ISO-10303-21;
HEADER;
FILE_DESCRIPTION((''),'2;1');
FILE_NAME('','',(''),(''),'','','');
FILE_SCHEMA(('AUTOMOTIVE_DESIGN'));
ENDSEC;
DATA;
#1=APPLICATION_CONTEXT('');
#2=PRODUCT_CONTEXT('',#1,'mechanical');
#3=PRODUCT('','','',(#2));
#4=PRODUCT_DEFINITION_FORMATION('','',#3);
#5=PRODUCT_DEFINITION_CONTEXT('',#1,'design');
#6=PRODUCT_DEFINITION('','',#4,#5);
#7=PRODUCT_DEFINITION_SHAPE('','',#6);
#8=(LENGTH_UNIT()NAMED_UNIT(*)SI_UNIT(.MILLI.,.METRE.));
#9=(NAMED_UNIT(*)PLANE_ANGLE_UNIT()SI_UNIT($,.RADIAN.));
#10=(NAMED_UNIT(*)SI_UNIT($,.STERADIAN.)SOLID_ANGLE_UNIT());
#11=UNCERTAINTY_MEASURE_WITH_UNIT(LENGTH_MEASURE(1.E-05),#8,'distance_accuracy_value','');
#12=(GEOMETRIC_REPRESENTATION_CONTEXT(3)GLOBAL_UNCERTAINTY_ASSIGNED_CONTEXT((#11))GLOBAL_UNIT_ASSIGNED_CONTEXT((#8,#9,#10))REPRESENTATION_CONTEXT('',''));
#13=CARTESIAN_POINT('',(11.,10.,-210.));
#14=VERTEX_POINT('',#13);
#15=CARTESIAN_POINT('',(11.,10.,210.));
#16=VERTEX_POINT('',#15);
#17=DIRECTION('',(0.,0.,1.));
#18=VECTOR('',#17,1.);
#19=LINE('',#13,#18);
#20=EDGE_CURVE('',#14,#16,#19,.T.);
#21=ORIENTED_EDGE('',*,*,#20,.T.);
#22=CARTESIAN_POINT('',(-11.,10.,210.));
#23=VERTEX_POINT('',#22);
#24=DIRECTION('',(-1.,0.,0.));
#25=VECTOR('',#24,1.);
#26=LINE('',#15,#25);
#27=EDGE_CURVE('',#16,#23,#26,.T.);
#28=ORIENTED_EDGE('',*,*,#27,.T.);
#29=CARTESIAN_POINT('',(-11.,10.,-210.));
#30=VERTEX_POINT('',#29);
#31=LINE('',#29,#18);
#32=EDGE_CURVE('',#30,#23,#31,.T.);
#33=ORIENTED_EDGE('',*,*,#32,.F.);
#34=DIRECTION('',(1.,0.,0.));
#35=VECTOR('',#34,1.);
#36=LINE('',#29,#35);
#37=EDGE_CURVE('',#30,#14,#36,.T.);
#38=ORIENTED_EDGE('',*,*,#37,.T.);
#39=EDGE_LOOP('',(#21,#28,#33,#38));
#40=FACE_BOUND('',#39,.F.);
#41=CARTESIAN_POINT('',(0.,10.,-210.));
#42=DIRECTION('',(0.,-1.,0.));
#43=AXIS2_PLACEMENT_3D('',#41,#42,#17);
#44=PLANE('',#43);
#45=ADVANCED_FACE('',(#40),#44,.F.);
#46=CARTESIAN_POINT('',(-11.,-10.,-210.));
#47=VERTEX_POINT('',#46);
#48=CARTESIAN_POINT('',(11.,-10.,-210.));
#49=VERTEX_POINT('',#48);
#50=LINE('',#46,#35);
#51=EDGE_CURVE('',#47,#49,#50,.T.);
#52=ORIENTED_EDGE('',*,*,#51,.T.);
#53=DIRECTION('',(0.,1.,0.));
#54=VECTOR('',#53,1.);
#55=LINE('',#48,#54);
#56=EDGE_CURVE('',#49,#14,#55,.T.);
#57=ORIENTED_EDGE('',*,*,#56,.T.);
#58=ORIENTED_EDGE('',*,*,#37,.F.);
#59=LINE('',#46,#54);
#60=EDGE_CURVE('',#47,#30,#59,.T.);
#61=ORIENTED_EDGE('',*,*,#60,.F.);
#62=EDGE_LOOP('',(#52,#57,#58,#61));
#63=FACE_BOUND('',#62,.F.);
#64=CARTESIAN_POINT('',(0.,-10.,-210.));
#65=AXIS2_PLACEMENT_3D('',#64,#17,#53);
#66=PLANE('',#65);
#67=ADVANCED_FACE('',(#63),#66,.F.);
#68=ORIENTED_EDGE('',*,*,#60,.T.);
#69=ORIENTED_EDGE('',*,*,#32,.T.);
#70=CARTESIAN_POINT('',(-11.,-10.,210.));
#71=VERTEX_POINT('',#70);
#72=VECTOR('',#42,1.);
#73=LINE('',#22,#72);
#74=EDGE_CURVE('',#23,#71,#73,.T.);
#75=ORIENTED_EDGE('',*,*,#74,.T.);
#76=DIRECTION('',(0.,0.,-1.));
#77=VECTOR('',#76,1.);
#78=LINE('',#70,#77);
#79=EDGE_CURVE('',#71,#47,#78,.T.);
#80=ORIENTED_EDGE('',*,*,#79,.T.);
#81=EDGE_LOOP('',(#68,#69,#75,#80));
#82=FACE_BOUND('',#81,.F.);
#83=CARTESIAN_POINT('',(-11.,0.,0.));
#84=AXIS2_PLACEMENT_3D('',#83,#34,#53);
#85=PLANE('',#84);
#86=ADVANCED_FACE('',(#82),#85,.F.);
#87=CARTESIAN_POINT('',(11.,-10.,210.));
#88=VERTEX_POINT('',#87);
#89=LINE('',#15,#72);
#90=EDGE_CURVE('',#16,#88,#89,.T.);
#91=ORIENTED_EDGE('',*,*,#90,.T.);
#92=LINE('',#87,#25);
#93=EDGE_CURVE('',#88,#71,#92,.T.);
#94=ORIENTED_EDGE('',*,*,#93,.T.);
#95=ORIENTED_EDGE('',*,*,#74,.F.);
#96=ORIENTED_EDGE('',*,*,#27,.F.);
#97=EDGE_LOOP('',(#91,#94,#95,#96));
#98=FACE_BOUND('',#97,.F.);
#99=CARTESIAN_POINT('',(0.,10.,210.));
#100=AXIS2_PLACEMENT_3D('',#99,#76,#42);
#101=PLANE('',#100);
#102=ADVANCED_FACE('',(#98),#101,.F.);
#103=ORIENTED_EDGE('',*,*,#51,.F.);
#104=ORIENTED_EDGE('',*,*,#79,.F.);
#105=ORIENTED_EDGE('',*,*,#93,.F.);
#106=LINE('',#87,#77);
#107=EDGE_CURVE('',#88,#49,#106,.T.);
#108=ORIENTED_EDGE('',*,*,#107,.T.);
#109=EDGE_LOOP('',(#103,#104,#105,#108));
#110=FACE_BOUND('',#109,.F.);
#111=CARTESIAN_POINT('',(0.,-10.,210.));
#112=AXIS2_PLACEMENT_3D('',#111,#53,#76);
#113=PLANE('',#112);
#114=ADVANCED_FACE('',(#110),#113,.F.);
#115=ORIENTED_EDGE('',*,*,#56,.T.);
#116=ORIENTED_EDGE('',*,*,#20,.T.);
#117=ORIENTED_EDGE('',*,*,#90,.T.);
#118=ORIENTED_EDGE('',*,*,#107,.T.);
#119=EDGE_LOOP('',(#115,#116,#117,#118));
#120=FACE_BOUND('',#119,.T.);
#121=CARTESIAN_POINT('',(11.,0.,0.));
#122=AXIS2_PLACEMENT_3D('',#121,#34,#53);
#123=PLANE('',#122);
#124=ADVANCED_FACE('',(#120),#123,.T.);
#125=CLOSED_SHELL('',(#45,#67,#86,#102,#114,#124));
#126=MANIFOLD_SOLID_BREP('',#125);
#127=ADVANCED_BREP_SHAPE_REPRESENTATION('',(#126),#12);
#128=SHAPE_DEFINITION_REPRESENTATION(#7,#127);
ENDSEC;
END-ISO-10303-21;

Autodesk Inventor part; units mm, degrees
sketch "Эскиз1" plane through (0, 0, 0) normal (1, 0, 0) x (0, 1, 0)
  line L0 (-10, -210) -> (10, -210)
  line L1 (10, -210) -> (10, 210)
  line L2 (10, 210) -> (-10, 210)
  line L3 (-10, 210) -> (-10, -210)
  line L4 (-10, -210) -> (10, 210) construction
  line L5 (10, -210) -> (-10, 210) construction
  line L6 (0, 294) -> (0, -294) construction
  line L7 (-14, 0) -> (14, 0) construction
  point P0 (0, 0)
  point P1 (0, 0)
  dimension "d8" = 420
extrude "Выдавливание1" add sketch "Эскиз1" along normal mid plane 22
properties part number "Проставка для боковых фанер"
